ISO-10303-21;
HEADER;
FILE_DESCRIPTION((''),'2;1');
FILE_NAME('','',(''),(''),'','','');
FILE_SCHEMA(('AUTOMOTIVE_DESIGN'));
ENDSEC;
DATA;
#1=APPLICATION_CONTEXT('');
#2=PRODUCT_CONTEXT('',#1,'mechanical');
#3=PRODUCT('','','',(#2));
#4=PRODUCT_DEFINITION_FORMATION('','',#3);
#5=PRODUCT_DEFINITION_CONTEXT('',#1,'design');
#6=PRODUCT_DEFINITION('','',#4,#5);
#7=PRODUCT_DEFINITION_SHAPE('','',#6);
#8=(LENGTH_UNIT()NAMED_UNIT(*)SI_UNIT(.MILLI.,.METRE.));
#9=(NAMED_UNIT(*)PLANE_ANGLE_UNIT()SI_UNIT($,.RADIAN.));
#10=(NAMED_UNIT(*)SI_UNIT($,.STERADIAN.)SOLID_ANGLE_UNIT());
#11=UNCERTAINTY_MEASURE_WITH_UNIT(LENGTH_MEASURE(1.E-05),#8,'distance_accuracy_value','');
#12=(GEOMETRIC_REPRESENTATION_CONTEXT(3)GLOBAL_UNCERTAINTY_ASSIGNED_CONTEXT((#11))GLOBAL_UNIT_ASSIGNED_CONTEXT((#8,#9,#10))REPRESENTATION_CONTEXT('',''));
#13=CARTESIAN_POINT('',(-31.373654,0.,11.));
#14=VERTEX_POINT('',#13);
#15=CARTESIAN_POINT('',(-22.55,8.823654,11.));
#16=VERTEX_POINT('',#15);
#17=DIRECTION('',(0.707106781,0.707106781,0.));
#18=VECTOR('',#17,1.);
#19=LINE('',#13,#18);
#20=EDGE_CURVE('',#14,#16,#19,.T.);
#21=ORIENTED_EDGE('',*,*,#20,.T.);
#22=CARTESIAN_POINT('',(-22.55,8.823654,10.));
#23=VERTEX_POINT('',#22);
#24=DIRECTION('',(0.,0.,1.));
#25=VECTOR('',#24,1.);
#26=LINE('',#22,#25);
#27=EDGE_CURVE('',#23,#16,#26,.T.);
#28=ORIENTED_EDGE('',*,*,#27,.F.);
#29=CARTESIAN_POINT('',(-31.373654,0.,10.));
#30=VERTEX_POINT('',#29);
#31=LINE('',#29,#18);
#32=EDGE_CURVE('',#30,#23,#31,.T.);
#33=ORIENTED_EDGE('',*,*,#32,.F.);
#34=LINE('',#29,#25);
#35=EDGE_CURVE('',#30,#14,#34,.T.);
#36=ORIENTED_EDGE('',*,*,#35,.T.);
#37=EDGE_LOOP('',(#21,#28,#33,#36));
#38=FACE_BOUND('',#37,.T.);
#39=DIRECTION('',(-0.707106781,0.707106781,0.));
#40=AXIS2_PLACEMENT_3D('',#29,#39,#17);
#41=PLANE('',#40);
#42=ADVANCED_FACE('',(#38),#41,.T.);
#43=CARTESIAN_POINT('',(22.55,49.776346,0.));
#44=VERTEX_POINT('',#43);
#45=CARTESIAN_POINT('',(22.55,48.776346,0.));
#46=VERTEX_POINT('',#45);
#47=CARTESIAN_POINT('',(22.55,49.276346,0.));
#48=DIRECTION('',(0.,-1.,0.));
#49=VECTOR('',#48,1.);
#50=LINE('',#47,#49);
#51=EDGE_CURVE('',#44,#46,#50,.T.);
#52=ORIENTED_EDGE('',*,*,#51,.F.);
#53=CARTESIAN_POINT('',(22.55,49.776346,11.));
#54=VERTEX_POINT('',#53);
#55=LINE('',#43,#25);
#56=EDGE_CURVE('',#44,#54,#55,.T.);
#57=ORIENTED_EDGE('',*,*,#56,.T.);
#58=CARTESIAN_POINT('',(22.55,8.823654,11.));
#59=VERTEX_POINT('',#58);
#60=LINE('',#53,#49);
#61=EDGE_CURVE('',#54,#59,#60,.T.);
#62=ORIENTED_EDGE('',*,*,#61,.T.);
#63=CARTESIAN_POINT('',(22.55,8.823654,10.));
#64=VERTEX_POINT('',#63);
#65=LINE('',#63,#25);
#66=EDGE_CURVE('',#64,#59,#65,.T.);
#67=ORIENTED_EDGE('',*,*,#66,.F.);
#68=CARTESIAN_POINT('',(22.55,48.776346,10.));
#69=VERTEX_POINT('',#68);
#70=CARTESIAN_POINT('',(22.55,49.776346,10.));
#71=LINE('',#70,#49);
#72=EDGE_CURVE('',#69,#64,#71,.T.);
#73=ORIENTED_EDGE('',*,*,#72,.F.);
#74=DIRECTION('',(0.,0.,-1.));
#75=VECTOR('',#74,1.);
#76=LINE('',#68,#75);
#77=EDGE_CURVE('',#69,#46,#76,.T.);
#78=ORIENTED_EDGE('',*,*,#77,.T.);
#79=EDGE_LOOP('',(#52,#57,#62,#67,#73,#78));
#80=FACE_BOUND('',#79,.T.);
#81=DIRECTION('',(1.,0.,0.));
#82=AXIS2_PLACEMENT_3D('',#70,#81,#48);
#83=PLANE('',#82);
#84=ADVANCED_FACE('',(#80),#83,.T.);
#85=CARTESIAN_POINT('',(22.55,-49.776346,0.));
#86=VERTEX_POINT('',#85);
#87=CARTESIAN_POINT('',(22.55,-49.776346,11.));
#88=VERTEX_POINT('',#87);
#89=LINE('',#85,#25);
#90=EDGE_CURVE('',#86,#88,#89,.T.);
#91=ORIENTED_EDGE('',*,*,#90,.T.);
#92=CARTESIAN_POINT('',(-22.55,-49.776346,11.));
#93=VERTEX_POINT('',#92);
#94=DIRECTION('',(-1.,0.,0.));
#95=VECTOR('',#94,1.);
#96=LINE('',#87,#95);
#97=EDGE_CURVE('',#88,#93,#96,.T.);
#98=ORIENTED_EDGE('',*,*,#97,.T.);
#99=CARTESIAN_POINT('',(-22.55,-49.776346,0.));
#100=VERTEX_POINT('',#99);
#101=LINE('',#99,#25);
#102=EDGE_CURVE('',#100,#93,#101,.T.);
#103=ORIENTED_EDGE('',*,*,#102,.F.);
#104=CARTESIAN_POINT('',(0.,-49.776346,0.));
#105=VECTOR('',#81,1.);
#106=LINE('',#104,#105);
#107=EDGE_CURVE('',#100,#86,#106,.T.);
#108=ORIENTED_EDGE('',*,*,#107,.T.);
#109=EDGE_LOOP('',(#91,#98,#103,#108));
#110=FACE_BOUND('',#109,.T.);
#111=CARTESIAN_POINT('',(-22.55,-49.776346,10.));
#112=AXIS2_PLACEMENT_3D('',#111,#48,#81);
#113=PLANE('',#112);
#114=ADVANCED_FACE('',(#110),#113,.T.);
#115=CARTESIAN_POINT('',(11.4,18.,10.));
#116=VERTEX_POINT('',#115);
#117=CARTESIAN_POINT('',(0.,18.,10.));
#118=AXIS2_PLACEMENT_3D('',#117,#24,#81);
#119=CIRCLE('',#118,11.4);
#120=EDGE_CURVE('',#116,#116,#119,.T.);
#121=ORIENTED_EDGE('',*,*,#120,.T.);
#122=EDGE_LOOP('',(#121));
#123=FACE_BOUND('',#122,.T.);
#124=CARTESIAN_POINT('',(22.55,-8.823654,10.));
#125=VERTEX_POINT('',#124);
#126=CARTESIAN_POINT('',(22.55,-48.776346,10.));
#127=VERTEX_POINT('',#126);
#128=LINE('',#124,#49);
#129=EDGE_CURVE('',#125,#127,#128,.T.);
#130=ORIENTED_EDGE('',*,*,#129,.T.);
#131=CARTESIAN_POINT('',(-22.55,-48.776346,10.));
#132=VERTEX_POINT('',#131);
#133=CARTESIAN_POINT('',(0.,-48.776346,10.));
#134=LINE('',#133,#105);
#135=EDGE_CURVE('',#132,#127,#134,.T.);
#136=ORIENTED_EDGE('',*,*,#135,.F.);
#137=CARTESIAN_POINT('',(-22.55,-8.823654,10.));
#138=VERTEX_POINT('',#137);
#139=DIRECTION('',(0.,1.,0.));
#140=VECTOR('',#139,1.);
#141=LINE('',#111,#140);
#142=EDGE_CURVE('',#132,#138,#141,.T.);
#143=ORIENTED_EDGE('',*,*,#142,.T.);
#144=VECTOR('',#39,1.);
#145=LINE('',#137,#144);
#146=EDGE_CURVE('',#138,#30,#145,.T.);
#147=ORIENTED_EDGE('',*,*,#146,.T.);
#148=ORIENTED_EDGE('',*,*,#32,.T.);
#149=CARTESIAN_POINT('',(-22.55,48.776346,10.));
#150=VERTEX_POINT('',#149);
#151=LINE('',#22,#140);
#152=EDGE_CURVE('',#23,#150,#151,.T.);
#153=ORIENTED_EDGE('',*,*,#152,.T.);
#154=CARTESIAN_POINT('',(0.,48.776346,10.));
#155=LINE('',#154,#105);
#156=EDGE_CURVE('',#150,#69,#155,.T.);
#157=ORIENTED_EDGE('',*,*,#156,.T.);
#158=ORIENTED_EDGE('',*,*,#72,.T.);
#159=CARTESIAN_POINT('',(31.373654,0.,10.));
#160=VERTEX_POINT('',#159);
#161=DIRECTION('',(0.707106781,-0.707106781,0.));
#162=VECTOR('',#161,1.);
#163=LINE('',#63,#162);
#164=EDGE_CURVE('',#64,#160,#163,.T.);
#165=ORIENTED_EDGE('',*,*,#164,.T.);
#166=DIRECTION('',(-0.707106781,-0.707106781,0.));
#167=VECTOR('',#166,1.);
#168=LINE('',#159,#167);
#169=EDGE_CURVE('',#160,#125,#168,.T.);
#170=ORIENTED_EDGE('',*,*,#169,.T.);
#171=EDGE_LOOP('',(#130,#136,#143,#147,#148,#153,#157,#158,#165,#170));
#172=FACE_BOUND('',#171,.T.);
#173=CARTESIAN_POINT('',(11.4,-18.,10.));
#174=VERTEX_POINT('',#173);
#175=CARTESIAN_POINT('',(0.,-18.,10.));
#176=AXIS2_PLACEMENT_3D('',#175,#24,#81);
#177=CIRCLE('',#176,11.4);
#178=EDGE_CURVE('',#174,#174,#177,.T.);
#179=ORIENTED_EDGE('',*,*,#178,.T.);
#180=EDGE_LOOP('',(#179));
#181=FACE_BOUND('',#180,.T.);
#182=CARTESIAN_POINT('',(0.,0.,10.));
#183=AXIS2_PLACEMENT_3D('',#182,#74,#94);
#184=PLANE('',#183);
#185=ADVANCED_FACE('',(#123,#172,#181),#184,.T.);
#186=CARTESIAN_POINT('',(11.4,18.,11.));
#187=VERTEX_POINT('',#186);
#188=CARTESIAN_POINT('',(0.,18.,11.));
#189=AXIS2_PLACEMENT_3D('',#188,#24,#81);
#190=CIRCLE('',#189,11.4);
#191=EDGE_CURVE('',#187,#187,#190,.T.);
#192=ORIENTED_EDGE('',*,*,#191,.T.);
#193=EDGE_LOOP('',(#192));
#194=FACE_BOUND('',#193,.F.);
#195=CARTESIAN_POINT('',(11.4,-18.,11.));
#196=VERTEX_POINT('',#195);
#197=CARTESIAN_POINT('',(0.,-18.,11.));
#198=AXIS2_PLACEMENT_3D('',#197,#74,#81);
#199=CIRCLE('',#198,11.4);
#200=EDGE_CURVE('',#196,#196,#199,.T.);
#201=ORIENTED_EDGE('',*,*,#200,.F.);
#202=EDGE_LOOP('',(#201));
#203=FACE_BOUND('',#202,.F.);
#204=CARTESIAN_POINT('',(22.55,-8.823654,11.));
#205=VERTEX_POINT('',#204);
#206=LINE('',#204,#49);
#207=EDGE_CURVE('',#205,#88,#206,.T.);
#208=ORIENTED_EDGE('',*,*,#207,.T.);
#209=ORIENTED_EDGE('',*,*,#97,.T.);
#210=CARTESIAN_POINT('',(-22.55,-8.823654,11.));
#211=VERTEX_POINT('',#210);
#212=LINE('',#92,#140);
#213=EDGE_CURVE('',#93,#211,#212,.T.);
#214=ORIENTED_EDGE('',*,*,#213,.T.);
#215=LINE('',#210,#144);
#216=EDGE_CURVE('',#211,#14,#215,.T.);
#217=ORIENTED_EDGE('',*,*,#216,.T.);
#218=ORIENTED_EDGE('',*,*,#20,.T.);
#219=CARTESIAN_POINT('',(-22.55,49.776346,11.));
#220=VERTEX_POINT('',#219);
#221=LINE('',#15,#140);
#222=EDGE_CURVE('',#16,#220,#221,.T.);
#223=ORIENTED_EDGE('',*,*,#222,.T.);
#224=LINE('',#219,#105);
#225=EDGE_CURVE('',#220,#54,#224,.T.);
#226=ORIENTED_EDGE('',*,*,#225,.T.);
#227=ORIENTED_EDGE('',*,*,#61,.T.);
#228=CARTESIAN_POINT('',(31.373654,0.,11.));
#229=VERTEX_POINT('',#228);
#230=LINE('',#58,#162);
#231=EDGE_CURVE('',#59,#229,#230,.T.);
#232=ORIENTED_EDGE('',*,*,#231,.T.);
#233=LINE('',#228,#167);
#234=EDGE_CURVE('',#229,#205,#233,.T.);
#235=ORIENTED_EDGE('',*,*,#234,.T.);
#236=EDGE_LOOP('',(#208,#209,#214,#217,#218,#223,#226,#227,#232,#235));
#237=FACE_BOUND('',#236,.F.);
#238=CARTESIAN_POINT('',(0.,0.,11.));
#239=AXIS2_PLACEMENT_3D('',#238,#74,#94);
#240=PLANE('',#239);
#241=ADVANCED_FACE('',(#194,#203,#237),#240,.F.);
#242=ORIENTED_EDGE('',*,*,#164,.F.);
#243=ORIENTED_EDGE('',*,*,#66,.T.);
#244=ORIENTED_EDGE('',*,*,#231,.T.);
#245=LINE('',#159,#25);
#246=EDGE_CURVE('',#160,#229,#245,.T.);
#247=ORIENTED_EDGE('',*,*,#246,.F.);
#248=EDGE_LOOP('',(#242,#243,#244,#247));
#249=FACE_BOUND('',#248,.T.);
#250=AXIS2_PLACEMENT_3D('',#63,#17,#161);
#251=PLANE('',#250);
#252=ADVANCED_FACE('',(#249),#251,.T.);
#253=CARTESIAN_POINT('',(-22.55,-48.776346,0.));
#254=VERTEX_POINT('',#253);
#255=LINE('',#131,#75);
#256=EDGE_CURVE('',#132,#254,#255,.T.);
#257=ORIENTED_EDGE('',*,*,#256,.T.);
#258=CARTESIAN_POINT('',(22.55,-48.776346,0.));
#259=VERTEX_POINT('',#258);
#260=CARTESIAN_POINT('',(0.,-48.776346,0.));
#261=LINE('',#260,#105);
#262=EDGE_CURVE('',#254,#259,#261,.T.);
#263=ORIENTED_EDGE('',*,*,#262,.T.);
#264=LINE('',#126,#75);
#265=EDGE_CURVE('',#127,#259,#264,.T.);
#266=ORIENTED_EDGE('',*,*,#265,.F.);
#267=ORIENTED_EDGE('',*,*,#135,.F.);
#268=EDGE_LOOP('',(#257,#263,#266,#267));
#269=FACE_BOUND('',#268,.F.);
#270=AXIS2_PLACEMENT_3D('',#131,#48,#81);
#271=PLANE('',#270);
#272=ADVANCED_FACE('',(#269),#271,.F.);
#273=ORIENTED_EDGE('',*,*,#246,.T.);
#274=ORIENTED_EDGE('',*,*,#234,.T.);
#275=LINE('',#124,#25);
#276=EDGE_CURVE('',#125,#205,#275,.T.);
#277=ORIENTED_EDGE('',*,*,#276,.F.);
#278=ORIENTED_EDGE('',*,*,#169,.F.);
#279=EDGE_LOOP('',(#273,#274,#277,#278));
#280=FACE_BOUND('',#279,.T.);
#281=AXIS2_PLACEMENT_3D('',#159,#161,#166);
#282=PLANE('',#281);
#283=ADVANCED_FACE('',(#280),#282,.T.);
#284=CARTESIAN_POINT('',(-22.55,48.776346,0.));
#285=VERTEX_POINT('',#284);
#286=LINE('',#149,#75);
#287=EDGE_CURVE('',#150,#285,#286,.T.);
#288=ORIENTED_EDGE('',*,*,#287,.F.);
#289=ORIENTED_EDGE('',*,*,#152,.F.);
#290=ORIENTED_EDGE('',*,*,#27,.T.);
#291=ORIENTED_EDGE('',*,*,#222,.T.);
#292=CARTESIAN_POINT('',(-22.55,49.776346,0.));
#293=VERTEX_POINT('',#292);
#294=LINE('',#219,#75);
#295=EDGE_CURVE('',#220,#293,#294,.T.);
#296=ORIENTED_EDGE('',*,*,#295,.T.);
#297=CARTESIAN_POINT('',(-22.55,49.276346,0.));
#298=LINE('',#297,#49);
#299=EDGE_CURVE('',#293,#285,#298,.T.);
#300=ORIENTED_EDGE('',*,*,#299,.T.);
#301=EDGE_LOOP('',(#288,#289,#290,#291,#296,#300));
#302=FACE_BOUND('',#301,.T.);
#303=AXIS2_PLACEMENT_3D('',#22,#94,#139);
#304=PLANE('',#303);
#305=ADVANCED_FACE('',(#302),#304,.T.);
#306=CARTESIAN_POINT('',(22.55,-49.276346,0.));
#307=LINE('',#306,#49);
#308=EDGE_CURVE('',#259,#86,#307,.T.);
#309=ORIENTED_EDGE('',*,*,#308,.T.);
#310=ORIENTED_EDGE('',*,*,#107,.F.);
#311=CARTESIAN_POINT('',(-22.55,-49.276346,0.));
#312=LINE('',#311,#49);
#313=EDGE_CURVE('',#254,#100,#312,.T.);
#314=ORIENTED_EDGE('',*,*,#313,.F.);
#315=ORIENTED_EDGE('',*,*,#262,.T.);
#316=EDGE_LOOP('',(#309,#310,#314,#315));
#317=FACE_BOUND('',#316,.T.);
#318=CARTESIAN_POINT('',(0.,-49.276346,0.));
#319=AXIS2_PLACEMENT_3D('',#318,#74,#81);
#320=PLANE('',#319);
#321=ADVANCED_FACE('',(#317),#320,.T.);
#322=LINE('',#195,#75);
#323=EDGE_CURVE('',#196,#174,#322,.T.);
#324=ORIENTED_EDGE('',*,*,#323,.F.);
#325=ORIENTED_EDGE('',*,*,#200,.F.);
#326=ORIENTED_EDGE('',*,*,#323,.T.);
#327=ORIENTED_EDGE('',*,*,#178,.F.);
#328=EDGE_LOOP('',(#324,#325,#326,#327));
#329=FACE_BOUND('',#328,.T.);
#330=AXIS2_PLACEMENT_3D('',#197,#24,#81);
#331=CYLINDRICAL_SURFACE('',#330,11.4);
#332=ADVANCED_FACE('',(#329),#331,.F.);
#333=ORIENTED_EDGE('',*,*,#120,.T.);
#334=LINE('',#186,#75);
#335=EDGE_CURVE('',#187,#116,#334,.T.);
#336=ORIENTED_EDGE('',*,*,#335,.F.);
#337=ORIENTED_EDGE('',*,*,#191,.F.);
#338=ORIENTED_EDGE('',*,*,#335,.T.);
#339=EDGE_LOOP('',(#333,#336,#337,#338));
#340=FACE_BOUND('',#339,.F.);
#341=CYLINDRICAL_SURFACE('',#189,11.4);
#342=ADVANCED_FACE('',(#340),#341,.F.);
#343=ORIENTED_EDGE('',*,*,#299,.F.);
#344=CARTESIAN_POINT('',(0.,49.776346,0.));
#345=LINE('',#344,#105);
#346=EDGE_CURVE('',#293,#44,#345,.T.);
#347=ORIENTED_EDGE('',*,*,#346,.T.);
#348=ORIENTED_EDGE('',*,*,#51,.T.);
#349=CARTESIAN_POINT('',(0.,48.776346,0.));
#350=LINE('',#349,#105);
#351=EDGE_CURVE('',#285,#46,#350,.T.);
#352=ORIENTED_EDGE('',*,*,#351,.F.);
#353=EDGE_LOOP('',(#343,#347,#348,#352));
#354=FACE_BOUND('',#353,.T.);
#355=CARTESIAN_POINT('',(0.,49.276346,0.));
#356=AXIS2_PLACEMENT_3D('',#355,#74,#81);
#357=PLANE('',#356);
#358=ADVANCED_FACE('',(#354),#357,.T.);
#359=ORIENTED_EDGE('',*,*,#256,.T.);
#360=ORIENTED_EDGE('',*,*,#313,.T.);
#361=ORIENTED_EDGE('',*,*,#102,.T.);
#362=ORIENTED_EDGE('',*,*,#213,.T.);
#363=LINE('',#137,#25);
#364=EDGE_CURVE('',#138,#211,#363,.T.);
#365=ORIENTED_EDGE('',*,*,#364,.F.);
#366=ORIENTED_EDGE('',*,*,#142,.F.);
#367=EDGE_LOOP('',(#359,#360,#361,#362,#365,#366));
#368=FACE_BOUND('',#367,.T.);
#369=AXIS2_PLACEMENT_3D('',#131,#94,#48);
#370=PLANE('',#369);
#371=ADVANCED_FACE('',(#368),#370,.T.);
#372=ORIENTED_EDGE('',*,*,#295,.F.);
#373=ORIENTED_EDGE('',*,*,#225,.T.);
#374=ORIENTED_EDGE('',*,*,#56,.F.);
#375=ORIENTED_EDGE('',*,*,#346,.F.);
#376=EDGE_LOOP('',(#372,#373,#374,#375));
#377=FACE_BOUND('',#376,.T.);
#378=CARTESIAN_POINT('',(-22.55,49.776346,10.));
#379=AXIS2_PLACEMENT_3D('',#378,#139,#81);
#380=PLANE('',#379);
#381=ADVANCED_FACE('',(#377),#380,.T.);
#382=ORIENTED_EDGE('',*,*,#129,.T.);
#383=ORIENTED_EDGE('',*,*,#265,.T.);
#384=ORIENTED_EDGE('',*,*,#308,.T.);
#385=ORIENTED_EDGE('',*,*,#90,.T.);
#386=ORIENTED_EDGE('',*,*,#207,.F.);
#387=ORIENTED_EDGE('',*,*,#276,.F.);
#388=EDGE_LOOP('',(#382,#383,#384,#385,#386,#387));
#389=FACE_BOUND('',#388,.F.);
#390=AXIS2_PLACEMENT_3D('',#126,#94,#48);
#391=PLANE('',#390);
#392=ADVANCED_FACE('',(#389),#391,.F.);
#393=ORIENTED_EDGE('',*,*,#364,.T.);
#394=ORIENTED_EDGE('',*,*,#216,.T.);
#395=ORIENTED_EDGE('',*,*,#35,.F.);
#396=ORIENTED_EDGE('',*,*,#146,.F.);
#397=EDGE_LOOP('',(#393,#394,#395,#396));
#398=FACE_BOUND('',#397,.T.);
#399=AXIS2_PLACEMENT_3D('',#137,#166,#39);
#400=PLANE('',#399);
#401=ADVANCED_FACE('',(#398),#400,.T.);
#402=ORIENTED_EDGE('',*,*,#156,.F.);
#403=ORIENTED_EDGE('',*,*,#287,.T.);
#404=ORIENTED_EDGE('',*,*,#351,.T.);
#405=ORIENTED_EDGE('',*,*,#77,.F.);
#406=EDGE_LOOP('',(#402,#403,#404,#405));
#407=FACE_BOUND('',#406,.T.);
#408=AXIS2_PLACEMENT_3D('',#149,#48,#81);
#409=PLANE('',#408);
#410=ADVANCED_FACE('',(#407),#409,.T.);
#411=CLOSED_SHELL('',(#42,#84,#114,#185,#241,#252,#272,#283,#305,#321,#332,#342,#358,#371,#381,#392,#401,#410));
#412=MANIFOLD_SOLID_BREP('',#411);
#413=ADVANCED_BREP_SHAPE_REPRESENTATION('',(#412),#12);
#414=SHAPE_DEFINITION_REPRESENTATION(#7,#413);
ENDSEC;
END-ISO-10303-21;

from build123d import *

# Parameters (mm, degrees)
PAD014_DEPTH    = 1
SKETCH020_W     = 45.1
SKETCH020_H     = 1
PAD015_DEPTH    = 10
SKETCH021_R     = 11.4
POCKET005_DEPTH = 5


with BuildPart() as part:
    # Sketch019 → Pad014 (new body)
    with BuildSketch(Plane.XY):
        Polygon((-22.55, 49.776346), (22.55, 49.776346), (22.55, 8.823654), (31.373654, 0), (22.55, -8.823654), (22.55, -49.776346), (-22.55, -49.776346), (-22.55, -8.823654), (-31.373654, 0), (-22.55, 8.823654), align=None)
    extrude(amount=PAD014_DEPTH)

    # Sketch020 (on Face11 of Pad014) → Pad015 (join)
    with BuildSketch(Plane(origin=(0, 0, 0), x_dir=(1, 0, 0), z_dir=(0, 0, -1))):
        with Locations((0, 49.276346)):
            Rectangle(SKETCH020_W, SKETCH020_H)
        with Locations((0, -49.276346)):
            Rectangle(SKETCH020_W, SKETCH020_H)
    extrude(amount=PAD015_DEPTH)

    # Sketch021 (on Face5 of Pad015) → Pocket005 (cut)
    with BuildSketch(Plane.XY.offset(1)):
        with Locations((0, 18)):
            Circle(SKETCH021_R)
    pocket005 = extrude(amount=-POCKET005_DEPTH, mode=Mode.SUBTRACT)

    # Mirrored002: Pocket005 across Sketch021 H_Axis
    add(pocket005.mirror(Plane(origin=(0, 0, 1), x_dir=(0, 0, 1), z_dir=(0, 1, 0))), mode=Mode.SUBTRACT)


with BuildPart() as part_1:
    # Body034 placement: moved
    add(part.part.moved(Location((0, 0, 10))))


solid = part_1.part
